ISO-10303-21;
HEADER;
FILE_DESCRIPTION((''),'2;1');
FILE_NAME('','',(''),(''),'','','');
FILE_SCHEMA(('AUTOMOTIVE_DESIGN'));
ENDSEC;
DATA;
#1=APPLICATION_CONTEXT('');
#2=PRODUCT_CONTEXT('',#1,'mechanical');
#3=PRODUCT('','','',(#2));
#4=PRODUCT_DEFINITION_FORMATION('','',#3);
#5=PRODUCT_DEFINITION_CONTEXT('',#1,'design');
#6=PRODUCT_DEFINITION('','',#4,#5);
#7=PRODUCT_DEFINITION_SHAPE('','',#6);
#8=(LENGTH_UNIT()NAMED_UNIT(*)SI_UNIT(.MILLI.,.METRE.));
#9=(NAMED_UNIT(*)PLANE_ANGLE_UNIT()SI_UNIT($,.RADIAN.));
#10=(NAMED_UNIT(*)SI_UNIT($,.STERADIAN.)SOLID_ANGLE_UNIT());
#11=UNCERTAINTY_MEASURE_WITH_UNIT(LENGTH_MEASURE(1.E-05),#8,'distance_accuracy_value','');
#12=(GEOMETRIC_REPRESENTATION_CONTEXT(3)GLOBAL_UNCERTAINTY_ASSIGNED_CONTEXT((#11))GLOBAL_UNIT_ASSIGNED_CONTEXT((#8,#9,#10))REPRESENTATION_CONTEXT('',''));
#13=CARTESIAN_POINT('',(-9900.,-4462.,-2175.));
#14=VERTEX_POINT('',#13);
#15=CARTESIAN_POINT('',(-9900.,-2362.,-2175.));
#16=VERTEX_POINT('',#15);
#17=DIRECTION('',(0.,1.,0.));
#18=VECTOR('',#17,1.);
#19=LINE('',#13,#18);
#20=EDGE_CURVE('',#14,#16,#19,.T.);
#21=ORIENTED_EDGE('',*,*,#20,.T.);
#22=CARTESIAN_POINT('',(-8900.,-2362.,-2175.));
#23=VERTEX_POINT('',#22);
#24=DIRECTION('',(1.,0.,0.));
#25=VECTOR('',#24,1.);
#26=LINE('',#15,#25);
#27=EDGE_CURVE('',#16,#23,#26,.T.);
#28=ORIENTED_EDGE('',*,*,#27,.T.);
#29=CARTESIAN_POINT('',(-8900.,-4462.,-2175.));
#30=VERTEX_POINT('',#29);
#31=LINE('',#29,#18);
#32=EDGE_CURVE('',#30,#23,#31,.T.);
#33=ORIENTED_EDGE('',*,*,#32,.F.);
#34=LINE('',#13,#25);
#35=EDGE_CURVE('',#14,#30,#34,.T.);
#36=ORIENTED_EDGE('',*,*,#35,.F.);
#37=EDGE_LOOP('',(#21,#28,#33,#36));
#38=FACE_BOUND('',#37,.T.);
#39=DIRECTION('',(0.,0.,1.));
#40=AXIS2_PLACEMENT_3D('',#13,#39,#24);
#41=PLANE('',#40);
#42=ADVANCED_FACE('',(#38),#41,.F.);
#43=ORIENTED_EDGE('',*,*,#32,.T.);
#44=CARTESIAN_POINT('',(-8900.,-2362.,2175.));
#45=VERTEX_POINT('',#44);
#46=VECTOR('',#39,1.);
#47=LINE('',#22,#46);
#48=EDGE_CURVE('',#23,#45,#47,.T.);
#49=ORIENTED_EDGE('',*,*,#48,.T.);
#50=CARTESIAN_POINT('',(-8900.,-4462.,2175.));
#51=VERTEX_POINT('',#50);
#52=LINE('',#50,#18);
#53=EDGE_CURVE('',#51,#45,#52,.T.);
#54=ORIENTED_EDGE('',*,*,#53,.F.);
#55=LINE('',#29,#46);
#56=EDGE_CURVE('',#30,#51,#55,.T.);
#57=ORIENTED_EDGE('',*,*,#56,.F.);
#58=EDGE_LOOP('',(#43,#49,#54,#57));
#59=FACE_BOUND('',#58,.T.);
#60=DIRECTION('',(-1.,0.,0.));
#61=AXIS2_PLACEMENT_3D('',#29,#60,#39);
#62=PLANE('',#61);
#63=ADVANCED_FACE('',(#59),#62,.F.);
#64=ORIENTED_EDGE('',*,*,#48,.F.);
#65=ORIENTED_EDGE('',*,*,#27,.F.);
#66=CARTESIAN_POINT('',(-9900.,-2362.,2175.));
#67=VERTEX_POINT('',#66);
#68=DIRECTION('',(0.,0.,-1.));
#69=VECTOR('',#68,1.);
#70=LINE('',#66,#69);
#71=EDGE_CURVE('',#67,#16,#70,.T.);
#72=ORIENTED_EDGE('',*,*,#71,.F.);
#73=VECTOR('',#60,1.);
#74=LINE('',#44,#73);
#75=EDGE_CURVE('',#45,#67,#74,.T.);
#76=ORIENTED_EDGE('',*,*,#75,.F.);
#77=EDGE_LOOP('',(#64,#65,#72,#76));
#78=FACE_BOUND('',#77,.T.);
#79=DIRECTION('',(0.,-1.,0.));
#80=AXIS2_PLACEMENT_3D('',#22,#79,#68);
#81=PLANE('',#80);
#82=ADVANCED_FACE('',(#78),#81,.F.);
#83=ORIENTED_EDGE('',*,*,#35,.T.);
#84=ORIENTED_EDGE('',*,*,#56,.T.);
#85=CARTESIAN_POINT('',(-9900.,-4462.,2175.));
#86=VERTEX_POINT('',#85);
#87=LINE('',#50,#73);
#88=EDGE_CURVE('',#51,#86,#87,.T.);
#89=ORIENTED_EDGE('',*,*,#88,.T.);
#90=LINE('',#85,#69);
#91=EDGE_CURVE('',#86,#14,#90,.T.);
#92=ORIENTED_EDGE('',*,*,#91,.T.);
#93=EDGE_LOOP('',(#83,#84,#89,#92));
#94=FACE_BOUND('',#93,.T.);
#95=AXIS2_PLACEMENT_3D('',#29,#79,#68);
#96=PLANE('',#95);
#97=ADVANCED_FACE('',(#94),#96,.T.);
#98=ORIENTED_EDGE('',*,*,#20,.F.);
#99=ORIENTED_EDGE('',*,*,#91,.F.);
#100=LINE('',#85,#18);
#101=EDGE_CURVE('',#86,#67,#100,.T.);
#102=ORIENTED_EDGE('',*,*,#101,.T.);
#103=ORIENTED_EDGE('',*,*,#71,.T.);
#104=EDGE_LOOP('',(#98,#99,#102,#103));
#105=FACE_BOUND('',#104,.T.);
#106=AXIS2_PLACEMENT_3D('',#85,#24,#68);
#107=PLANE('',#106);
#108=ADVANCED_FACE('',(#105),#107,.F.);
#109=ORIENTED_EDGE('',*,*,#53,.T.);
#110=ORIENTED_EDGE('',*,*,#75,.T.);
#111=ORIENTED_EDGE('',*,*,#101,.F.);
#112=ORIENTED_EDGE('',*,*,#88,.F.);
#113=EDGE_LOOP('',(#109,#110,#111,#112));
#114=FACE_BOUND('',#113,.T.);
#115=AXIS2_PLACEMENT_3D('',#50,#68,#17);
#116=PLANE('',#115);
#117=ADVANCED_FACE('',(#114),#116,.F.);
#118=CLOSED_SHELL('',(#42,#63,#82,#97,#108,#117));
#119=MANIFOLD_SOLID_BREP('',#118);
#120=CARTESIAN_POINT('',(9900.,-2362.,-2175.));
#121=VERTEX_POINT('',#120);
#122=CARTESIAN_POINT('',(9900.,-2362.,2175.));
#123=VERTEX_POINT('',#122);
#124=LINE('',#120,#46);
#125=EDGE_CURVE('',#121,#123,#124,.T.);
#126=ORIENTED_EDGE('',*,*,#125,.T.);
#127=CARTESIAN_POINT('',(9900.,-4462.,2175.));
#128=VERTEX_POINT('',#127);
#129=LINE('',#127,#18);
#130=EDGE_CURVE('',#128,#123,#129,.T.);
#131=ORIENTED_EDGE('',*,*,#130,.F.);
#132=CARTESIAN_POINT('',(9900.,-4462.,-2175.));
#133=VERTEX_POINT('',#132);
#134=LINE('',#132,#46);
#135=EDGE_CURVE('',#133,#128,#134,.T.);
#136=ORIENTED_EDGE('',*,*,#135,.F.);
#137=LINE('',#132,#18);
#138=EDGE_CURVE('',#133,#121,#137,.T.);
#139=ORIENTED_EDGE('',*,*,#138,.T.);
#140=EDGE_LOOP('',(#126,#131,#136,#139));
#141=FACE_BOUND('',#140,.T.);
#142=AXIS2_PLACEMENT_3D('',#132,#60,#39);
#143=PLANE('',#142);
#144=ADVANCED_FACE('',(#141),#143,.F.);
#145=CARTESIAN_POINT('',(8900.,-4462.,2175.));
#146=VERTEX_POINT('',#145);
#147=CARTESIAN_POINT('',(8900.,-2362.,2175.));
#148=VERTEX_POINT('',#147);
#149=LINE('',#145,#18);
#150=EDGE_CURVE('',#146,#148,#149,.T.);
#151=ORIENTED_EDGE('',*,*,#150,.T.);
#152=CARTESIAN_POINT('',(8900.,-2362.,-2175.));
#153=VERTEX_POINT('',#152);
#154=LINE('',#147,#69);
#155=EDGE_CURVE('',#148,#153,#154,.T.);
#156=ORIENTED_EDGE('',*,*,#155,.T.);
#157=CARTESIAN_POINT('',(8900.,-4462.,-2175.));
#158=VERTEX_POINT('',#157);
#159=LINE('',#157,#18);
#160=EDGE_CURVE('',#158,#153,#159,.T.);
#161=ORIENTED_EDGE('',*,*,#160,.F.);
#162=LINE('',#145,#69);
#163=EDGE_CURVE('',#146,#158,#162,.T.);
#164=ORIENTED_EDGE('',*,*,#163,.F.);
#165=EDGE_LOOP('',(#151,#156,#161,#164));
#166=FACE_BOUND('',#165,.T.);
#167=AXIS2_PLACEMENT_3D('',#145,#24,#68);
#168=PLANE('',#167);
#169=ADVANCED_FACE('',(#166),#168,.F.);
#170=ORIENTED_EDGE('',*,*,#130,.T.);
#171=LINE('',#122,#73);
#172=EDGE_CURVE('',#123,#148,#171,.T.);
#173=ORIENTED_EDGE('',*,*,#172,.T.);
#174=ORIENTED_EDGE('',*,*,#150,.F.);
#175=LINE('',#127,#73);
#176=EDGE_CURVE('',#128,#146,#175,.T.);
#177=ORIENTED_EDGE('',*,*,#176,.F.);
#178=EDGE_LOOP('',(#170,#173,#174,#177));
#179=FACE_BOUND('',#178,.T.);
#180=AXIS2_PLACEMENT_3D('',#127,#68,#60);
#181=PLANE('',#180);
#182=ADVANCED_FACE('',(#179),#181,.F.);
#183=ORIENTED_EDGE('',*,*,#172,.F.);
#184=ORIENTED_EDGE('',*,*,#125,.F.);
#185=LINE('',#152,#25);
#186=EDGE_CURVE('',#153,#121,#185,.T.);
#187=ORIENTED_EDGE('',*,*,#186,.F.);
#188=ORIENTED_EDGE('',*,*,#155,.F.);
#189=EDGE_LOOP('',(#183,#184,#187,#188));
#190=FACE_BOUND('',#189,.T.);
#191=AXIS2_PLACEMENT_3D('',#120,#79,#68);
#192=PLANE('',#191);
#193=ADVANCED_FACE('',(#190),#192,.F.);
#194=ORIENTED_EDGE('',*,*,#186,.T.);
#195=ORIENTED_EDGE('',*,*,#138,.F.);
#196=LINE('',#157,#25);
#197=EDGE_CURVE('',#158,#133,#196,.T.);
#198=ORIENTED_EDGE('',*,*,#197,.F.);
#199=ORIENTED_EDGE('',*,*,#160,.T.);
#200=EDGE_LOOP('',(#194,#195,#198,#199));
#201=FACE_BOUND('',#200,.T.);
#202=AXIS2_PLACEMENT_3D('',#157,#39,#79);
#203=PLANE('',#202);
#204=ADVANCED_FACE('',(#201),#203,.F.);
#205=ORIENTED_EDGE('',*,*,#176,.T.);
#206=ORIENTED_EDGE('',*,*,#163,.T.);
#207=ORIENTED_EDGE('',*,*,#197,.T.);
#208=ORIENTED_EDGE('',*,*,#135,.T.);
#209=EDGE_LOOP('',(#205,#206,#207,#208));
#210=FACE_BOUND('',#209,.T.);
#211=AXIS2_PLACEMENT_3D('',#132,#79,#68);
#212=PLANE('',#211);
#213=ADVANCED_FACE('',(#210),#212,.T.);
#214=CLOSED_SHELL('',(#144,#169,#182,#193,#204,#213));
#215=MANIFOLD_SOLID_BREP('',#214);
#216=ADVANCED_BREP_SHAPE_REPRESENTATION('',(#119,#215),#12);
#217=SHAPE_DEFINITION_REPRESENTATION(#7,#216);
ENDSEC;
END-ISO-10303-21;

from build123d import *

# Parameters (mm, degrees)
SKETCH1_W        = 1000
SKETCH1_H        = 4350
EXTRUDE1_DEPTH   = 2100
EXTRUDE1_2_DEPTH = 2100


with BuildPart() as part:
    # Sketch1 → Extrude1 (new body)
    with BuildSketch(Plane.XZ.offset(2362)):
        with Locations((9400, 0)):
            Rectangle(SKETCH1_W, SKETCH1_H)
    extrude(amount=EXTRUDE1_DEPTH)


with BuildPart() as body_2:
    # Sketch1 → Extrude1 2 (new body)
    with BuildSketch(Plane.XZ.offset(2362)):
        with Locations((-9400, 0)):
            Rectangle(SKETCH1_W, SKETCH1_H)
    extrude(amount=EXTRUDE1_2_DEPTH)


solid = Compound([part.part, body_2.part])
